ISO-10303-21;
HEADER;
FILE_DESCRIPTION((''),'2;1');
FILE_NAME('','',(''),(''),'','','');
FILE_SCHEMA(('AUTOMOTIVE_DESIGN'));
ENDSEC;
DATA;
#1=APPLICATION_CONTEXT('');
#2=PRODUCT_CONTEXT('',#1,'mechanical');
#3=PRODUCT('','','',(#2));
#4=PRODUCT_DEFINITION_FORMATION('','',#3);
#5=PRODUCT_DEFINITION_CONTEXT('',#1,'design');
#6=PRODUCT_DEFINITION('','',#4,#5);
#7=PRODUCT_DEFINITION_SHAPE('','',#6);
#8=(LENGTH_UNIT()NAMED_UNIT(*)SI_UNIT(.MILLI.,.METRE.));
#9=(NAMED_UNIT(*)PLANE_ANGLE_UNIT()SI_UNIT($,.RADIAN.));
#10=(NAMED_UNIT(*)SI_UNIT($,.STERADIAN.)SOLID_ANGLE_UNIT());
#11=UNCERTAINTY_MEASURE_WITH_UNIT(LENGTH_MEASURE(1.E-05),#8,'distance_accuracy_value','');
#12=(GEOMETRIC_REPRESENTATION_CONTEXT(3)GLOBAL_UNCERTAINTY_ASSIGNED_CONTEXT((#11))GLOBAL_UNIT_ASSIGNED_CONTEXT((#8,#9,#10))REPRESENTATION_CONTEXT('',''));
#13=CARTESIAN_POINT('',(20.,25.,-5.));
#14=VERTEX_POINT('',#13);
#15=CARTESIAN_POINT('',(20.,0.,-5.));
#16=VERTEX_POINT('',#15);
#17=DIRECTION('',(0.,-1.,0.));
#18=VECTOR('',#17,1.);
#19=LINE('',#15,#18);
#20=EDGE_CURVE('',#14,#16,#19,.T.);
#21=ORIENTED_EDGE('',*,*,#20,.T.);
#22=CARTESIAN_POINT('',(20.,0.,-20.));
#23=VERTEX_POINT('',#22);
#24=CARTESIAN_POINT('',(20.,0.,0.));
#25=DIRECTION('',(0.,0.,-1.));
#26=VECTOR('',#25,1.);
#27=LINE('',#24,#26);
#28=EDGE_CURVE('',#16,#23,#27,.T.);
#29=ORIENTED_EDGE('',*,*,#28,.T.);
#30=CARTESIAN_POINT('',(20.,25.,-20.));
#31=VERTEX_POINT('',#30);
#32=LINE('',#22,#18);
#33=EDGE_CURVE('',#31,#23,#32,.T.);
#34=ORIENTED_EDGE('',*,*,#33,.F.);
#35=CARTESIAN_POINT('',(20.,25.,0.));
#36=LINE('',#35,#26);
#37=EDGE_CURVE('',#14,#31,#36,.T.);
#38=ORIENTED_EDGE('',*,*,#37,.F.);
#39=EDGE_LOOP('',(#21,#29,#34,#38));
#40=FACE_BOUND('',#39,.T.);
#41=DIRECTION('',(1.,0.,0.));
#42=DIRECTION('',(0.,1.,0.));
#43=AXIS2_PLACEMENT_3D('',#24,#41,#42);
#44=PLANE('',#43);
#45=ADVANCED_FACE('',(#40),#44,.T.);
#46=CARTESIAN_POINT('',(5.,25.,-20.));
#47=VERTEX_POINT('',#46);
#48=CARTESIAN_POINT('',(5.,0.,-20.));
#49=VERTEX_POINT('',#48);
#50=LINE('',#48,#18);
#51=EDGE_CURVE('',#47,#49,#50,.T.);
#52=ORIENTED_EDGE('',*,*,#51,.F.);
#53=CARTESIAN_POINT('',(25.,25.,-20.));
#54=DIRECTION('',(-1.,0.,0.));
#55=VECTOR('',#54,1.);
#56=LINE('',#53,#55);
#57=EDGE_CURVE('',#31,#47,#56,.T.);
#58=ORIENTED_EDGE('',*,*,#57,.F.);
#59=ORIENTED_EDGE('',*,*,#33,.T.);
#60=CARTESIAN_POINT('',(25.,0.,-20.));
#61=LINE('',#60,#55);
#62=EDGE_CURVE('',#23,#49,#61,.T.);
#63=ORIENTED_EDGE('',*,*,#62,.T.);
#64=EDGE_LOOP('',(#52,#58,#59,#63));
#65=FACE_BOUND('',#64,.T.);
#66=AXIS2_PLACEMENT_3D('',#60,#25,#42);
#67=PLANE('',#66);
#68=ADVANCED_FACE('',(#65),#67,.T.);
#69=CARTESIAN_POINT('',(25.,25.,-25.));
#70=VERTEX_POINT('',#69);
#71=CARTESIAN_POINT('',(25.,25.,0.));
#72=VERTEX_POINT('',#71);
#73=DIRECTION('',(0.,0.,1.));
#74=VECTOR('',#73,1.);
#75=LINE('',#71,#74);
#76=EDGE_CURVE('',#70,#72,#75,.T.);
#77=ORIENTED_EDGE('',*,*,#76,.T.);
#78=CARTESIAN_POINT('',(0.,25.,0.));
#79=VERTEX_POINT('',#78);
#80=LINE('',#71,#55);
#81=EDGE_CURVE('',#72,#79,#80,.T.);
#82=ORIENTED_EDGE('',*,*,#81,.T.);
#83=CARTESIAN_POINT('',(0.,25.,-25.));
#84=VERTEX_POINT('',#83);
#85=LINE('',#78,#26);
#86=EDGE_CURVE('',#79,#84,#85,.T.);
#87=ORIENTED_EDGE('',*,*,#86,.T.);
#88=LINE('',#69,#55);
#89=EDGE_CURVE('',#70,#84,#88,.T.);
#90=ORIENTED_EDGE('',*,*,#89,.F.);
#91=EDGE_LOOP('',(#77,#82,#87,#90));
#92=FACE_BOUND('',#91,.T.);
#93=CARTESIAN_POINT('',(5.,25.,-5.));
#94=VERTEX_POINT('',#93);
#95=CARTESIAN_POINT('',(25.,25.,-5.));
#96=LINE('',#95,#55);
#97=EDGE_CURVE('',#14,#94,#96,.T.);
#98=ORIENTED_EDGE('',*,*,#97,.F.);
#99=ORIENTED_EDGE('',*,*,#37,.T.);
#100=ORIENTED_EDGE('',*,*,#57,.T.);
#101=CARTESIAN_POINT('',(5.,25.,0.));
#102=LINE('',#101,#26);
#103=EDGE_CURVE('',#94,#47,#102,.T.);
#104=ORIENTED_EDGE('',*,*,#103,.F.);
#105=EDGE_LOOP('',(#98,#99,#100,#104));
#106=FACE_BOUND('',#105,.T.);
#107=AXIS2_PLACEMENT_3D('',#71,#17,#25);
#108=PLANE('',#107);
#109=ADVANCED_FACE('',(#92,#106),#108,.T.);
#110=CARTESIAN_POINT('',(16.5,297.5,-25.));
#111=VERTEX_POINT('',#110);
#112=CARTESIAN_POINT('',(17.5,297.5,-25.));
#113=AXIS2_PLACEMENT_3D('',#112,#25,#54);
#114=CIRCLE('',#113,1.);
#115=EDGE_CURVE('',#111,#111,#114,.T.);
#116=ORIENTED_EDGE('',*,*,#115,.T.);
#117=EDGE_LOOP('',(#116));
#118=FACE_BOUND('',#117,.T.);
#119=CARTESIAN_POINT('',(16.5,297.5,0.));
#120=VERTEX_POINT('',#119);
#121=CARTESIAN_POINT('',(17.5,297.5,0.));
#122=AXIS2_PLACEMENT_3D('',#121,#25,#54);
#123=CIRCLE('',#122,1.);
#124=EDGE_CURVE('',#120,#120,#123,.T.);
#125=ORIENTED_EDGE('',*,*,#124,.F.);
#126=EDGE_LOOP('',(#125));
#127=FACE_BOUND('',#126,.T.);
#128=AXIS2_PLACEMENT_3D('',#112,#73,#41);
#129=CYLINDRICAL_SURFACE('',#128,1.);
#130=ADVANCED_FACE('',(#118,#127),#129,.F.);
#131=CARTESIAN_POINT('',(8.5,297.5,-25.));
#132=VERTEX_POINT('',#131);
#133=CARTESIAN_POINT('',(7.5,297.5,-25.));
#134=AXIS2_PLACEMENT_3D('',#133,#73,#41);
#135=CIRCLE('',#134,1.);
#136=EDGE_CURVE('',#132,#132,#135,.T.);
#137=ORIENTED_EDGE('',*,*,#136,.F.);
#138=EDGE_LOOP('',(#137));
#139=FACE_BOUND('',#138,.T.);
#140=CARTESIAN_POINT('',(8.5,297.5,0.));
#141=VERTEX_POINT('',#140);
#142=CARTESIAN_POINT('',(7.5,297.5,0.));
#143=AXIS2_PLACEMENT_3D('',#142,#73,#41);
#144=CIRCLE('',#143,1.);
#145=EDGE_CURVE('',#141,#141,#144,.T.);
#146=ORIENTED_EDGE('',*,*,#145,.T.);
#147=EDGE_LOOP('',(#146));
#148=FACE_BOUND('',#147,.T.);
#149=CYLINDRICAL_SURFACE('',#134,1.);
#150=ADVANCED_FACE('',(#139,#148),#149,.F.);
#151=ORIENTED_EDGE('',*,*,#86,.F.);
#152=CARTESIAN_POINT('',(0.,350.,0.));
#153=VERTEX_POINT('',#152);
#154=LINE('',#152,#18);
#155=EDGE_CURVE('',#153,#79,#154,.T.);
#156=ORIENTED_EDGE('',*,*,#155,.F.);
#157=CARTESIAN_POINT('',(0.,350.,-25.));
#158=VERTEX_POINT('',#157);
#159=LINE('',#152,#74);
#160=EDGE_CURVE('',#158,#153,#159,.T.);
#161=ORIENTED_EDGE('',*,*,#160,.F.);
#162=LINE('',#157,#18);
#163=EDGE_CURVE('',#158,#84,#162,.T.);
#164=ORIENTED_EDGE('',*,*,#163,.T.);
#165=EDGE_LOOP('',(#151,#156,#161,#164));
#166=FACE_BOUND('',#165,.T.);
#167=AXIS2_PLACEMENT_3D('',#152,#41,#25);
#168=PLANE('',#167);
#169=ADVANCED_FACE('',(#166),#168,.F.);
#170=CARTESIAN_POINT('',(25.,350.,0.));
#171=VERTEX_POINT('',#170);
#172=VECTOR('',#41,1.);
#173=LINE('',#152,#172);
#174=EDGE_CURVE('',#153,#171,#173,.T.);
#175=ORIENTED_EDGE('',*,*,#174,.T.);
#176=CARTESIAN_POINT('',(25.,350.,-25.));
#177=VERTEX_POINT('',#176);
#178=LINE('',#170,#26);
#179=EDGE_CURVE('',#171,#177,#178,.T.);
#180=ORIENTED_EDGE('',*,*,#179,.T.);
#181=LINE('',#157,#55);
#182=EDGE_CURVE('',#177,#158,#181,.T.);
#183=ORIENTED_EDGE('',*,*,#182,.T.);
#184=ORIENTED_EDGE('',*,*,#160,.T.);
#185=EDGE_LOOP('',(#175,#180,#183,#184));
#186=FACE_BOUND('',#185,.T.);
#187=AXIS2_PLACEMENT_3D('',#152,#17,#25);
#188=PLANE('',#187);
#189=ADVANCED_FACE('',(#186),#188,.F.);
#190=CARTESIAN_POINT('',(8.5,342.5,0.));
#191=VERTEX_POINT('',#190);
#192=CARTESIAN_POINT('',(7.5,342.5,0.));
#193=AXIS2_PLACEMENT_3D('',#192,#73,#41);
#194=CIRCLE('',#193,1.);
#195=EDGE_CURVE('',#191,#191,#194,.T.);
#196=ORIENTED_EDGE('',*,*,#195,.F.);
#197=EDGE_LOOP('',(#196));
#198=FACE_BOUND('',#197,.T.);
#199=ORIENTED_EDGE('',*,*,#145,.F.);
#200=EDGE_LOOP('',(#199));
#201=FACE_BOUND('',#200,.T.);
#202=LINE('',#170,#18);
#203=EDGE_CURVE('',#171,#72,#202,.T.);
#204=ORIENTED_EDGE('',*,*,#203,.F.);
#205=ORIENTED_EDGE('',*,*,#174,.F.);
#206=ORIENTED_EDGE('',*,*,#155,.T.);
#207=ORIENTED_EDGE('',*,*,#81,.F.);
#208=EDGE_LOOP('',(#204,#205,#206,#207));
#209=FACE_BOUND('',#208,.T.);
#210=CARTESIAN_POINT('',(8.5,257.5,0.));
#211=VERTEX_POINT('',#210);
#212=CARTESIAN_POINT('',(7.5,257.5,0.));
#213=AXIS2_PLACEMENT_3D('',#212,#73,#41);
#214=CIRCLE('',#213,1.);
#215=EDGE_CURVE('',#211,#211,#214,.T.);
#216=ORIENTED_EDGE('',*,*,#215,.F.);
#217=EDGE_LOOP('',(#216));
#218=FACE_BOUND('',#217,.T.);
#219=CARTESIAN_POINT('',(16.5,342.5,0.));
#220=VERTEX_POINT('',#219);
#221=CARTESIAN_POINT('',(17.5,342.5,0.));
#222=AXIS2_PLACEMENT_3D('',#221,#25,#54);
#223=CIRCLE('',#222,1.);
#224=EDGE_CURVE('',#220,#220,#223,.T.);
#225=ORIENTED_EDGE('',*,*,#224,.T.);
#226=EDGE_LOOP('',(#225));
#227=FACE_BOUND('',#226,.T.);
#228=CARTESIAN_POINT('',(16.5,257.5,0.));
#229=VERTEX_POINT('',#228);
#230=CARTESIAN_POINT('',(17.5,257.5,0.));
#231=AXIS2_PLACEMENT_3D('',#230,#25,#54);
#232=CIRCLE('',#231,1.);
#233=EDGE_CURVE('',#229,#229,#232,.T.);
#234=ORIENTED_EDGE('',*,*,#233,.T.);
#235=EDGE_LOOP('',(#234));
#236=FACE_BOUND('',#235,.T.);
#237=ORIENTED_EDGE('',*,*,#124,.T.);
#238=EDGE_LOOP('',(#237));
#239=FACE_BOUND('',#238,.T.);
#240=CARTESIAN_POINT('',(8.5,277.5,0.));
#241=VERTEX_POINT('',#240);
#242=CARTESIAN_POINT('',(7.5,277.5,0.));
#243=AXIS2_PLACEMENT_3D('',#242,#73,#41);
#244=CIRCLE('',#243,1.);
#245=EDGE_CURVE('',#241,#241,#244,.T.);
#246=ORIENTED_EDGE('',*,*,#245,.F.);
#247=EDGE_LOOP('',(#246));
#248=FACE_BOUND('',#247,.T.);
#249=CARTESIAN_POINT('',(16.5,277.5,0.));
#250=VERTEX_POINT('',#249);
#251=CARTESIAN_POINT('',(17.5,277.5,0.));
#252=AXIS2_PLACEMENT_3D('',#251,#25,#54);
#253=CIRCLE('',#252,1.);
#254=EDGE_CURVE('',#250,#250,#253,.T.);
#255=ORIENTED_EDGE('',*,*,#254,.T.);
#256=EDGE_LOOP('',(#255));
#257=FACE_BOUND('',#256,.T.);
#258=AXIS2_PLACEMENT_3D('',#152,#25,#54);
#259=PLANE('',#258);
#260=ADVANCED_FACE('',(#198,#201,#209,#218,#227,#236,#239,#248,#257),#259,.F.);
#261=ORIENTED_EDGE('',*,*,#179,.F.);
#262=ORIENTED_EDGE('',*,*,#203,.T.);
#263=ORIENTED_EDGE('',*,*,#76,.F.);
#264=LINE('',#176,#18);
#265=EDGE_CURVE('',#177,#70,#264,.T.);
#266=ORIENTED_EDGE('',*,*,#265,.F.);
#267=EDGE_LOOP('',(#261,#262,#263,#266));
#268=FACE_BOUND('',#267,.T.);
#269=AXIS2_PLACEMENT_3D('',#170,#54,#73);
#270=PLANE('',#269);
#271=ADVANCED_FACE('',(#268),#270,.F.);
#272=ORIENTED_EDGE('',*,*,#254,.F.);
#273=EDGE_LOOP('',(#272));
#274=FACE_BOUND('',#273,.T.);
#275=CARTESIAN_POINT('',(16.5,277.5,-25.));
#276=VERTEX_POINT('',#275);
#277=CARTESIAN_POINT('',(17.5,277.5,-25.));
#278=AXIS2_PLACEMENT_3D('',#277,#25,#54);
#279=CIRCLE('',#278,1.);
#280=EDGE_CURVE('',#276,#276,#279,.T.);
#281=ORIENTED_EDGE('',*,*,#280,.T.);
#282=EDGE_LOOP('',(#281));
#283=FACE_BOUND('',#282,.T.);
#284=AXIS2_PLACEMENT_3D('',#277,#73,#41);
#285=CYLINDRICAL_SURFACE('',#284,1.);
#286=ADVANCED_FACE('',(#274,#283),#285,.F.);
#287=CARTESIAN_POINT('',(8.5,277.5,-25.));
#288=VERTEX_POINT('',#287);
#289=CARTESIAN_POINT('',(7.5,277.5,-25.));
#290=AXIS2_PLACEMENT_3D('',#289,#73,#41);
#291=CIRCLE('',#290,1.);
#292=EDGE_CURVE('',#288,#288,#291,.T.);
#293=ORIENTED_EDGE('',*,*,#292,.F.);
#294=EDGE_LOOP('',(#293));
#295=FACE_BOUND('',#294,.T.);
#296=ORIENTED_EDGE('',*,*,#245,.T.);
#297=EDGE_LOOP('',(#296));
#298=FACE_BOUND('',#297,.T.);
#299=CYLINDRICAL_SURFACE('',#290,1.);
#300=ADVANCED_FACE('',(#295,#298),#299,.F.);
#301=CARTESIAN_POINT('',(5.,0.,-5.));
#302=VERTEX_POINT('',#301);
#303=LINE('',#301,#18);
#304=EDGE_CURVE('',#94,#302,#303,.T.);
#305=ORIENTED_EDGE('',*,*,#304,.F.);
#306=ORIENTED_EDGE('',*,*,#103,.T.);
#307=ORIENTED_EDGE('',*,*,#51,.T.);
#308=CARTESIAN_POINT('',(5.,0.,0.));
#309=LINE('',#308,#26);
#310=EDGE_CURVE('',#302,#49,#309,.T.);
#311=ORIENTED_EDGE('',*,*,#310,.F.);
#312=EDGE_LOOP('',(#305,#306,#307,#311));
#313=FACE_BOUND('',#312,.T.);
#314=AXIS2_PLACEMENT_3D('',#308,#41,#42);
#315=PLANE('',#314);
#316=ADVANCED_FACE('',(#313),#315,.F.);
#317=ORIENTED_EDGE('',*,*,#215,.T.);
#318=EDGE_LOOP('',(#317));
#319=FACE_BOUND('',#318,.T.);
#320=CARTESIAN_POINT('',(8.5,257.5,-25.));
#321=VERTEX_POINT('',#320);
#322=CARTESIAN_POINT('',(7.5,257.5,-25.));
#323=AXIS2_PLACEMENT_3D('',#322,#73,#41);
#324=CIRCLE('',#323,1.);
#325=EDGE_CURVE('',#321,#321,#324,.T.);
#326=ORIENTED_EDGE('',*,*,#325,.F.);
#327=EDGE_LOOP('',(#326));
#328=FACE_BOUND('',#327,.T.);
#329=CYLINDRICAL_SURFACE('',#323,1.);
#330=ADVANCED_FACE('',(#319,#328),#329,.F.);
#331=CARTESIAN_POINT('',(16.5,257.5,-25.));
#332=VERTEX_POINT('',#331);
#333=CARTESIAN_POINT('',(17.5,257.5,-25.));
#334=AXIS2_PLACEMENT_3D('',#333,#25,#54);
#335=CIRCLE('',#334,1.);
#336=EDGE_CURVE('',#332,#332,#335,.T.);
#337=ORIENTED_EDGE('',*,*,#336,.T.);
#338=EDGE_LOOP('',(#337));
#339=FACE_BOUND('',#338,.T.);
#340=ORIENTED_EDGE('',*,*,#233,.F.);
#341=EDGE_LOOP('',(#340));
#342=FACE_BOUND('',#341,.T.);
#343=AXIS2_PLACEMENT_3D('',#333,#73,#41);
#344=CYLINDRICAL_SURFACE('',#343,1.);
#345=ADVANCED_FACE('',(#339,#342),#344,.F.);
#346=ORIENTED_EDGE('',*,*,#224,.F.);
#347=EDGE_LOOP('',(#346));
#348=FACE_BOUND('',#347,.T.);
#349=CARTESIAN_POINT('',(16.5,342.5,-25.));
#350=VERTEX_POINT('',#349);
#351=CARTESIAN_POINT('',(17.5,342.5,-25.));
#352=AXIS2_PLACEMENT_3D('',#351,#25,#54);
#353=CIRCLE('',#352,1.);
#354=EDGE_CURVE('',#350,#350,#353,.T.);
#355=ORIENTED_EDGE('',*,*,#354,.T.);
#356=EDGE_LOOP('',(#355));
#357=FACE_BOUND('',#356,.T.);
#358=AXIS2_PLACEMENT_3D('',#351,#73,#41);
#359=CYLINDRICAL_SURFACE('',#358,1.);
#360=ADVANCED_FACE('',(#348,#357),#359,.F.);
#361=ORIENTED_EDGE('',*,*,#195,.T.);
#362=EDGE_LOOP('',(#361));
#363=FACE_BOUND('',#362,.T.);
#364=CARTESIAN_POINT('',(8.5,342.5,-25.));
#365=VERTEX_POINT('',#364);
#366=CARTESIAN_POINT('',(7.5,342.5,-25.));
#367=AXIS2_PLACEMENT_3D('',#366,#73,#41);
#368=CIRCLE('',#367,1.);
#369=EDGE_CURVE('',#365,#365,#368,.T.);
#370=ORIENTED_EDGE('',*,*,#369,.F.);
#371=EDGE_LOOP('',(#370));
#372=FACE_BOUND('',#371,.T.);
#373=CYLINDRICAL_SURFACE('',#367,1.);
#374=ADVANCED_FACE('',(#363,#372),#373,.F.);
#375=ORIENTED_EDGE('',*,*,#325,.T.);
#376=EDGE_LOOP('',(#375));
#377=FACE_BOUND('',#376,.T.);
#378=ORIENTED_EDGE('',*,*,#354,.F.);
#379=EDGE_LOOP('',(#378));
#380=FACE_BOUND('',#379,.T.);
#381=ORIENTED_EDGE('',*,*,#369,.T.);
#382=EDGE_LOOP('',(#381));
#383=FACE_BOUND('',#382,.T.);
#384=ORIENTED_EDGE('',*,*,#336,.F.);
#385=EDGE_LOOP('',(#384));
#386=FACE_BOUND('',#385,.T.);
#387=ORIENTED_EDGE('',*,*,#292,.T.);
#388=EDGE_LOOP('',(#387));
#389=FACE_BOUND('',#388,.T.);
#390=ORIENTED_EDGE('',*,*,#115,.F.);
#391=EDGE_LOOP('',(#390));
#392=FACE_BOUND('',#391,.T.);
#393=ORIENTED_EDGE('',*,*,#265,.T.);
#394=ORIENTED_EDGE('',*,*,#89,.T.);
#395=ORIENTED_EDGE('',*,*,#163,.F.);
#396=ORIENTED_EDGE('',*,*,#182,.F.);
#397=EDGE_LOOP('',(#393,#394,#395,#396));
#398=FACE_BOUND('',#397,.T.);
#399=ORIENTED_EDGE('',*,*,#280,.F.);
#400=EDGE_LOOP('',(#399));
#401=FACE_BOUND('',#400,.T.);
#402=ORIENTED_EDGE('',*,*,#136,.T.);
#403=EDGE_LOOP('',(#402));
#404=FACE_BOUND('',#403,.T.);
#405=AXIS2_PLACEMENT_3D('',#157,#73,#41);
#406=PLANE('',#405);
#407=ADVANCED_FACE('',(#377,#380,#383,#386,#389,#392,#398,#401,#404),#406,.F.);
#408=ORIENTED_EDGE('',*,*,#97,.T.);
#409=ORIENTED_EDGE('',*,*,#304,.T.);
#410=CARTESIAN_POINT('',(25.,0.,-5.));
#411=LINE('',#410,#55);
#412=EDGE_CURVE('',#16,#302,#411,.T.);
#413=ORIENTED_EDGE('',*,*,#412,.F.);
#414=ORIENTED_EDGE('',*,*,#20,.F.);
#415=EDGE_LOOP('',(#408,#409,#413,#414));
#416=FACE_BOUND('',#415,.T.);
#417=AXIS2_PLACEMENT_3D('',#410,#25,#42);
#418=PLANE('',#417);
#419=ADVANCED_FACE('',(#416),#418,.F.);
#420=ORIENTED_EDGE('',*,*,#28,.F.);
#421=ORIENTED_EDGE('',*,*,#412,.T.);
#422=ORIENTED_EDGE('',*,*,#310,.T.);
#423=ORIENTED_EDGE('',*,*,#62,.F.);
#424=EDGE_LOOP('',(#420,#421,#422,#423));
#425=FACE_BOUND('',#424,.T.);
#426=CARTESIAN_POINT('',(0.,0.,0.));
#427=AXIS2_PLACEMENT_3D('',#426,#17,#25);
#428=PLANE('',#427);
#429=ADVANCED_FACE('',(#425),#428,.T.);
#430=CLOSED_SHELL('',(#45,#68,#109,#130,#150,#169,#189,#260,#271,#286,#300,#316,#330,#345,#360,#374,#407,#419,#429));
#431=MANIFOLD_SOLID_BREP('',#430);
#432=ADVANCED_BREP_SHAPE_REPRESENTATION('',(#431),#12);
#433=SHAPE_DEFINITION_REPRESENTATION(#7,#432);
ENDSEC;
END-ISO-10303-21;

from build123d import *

# Parameters (mm, degrees)
SKETCH2_W               = 25
SKETCH2_H               = 25
BOSS_EXTRUDE1_DEPTH     = 350
SKETCH3_R               = 1
CUT_EXTRUDE1_DEPTH      = 352.781181987
CUT_EXTRUDE2_DEPTH      = 352.781181987
CUT_EXTRUDE2_DEPTH_BACK = 352.781181987
SKETCH4_W               = 5
SKETCH4_H               = 25
SKETCH5_W               = 5
SKETCH5_H               = 25
CUT_EXTRUDE3_DEPTH      = 352.461235416


with BuildPart() as part:
    # Sketch2 → Boss-Extrude1 (new body)
    with BuildSketch(Plane(origin=(0, 0, 0), x_dir=(1, 0, 0), z_dir=(0, 1, 0))):
        with Locations((12.5, 12.5)):
            Rectangle(SKETCH2_W, SKETCH2_H)
    extrude(amount=BOSS_EXTRUDE1_DEPTH)

    # Sketch3 → Cut-Extrude1 (cut, through all)
    with BuildSketch(Plane.XY):
        with Locations((7.5, 342.5)):
            Circle(SKETCH3_R)
        with Locations((7.5, 297.5)):
            Circle(SKETCH3_R)
        with Locations((7.5, 277.5)):
            Circle(SKETCH3_R)
        with Locations((7.5, 257.5)):
            Circle(SKETCH3_R)
        with Locations(Location((17.5, 342.5, 0), (0, 0, 180))):
            Circle(SKETCH3_R)
        with Locations(Location((17.5, 297.5, 0), (0, 0, 180))):
            Circle(SKETCH3_R)
        with Locations(Location((17.5, 277.5, 0), (0, 0, 180))):
            Circle(SKETCH3_R)
        with Locations(Location((17.5, 257.5, 0), (0, 0, 180))):
            Circle(SKETCH3_R)
    extrude(amount=-CUT_EXTRUDE1_DEPTH, mode=Mode.SUBTRACT)

    # Sketch4 → Cut-Extrude2 (cut, two sides: drawn at the far end of the back side and taken through both)
    with BuildSketch(Plane.ZY.offset(-CUT_EXTRUDE2_DEPTH_BACK)):
        with Locations((-22.5, 12.5)):
            Rectangle(SKETCH4_W, SKETCH4_H)
        with Locations((-2.5, 12.5)):
            Rectangle(SKETCH4_W, SKETCH4_H)
    extrude(amount=CUT_EXTRUDE2_DEPTH + CUT_EXTRUDE2_DEPTH_BACK, mode=Mode.SUBTRACT)

    # Sketch5 → Cut-Extrude3 (cut, through all)
    with BuildSketch(Plane(origin=(0, 0, -20), x_dir=(-1, 0, 0), z_dir=(0, 0, -1))):
        with Locations((-22.5, 12.5)):
            Rectangle(SKETCH5_W, SKETCH5_H)
        with Locations((-2.5, 12.5)):
            Rectangle(SKETCH5_W, SKETCH5_H)
    extrude(amount=-CUT_EXTRUDE3_DEPTH, mode=Mode.SUBTRACT)


solid = part.part
